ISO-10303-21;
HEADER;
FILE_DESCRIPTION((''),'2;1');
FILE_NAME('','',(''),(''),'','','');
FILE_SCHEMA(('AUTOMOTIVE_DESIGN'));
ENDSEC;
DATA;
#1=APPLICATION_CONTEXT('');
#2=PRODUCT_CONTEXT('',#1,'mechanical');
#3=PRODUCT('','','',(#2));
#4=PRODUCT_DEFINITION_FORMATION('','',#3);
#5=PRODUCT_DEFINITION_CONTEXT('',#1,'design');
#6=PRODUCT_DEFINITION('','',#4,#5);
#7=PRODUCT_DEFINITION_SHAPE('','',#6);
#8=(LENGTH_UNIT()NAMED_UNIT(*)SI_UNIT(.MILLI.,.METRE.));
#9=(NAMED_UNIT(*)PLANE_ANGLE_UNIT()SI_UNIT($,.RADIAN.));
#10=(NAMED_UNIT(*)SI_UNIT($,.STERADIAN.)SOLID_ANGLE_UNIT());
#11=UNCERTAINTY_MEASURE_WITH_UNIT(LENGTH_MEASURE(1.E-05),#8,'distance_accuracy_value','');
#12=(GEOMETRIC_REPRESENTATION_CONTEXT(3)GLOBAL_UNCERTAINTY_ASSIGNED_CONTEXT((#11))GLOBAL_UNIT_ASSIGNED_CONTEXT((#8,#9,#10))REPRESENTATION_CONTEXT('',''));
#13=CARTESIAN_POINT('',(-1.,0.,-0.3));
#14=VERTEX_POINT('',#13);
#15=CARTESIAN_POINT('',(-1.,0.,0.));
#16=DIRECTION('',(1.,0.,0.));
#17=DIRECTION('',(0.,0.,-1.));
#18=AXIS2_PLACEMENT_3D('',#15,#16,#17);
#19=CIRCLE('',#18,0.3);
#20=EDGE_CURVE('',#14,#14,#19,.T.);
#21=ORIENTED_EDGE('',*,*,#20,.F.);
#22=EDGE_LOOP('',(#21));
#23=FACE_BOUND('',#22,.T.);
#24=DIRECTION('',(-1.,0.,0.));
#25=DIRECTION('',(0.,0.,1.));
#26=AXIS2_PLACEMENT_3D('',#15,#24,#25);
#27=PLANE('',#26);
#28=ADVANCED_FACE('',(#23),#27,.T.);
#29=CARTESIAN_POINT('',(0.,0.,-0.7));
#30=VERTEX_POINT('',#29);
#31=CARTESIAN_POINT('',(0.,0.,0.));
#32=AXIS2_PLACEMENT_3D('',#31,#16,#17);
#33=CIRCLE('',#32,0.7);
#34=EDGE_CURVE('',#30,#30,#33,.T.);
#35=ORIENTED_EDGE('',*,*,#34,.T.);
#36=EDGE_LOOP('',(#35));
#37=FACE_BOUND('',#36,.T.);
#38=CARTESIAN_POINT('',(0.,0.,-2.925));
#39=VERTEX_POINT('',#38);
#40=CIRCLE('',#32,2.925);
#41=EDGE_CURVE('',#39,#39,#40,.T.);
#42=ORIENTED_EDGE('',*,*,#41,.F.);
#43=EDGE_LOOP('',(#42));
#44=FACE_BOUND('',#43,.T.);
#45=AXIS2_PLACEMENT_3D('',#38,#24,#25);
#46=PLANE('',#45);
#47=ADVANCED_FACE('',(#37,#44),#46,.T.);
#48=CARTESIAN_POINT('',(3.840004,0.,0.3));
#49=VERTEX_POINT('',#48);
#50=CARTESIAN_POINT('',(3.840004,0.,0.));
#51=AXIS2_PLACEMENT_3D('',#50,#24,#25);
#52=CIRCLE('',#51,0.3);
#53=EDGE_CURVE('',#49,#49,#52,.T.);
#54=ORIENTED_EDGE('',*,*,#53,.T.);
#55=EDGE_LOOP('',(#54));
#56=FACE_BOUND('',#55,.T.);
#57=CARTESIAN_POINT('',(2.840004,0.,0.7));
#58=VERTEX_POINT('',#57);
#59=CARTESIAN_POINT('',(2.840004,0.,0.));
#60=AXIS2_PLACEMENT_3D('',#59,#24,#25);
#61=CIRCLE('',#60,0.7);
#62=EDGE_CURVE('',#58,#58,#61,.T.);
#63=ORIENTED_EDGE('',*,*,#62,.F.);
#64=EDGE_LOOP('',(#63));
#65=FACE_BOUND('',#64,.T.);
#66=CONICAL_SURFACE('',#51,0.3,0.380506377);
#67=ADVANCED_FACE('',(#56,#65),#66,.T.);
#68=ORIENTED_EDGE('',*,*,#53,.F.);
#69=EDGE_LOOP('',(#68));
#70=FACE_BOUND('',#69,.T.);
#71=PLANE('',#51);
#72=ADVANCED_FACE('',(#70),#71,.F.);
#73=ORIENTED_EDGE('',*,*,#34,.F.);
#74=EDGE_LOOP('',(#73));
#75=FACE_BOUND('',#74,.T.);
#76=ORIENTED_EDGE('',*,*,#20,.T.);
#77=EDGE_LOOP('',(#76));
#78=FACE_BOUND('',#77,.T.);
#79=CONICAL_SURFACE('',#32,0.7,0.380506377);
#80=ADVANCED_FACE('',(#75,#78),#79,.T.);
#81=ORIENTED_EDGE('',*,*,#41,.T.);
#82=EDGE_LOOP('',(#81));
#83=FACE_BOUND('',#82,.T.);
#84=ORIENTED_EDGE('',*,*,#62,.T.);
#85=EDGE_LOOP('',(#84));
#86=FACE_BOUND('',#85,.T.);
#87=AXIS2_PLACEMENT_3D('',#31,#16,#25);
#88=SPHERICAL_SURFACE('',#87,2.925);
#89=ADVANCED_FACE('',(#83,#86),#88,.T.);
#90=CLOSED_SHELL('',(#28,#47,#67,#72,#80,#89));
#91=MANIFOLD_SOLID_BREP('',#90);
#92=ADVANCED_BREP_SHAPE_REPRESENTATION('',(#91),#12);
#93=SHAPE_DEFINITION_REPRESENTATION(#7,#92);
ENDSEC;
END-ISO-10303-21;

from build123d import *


with BuildPart() as part:
    # Sketch2 → Revolve2 (revolve)
    with BuildSketch(Plane(origin=(0, 0, 0), x_dir=(1, 0, 0), z_dir=(0, 1, 0))):
        with BuildLine():
            Line((0, 2.925), (0, 0.7))
            Line((0, 0.7), (-1, 0.3))
            Line((-1, 0.3), (-1, 0))
            Line((-1, 0), (0, 0))
            Line((0, 0), (2.925, 0))
            ThreePointArc((2.925, 0), (2.068287335, 2.068287335), (0, 2.925))
        make_face()
    revolve(axis=Axis((0, 0, 0), (1, 0, 0)))

    # Sketch3 → Revolve3 (revolve)
    with BuildSketch(Plane.XY):
        Polygon((2.925, 0), (3.840004401, 0), (3.840004401, 0.3), (2.840004401, 0.7), align=None)
    revolve(axis=Axis((2.925, 0, 0), (1, 0, 0)))


solid = part.part
